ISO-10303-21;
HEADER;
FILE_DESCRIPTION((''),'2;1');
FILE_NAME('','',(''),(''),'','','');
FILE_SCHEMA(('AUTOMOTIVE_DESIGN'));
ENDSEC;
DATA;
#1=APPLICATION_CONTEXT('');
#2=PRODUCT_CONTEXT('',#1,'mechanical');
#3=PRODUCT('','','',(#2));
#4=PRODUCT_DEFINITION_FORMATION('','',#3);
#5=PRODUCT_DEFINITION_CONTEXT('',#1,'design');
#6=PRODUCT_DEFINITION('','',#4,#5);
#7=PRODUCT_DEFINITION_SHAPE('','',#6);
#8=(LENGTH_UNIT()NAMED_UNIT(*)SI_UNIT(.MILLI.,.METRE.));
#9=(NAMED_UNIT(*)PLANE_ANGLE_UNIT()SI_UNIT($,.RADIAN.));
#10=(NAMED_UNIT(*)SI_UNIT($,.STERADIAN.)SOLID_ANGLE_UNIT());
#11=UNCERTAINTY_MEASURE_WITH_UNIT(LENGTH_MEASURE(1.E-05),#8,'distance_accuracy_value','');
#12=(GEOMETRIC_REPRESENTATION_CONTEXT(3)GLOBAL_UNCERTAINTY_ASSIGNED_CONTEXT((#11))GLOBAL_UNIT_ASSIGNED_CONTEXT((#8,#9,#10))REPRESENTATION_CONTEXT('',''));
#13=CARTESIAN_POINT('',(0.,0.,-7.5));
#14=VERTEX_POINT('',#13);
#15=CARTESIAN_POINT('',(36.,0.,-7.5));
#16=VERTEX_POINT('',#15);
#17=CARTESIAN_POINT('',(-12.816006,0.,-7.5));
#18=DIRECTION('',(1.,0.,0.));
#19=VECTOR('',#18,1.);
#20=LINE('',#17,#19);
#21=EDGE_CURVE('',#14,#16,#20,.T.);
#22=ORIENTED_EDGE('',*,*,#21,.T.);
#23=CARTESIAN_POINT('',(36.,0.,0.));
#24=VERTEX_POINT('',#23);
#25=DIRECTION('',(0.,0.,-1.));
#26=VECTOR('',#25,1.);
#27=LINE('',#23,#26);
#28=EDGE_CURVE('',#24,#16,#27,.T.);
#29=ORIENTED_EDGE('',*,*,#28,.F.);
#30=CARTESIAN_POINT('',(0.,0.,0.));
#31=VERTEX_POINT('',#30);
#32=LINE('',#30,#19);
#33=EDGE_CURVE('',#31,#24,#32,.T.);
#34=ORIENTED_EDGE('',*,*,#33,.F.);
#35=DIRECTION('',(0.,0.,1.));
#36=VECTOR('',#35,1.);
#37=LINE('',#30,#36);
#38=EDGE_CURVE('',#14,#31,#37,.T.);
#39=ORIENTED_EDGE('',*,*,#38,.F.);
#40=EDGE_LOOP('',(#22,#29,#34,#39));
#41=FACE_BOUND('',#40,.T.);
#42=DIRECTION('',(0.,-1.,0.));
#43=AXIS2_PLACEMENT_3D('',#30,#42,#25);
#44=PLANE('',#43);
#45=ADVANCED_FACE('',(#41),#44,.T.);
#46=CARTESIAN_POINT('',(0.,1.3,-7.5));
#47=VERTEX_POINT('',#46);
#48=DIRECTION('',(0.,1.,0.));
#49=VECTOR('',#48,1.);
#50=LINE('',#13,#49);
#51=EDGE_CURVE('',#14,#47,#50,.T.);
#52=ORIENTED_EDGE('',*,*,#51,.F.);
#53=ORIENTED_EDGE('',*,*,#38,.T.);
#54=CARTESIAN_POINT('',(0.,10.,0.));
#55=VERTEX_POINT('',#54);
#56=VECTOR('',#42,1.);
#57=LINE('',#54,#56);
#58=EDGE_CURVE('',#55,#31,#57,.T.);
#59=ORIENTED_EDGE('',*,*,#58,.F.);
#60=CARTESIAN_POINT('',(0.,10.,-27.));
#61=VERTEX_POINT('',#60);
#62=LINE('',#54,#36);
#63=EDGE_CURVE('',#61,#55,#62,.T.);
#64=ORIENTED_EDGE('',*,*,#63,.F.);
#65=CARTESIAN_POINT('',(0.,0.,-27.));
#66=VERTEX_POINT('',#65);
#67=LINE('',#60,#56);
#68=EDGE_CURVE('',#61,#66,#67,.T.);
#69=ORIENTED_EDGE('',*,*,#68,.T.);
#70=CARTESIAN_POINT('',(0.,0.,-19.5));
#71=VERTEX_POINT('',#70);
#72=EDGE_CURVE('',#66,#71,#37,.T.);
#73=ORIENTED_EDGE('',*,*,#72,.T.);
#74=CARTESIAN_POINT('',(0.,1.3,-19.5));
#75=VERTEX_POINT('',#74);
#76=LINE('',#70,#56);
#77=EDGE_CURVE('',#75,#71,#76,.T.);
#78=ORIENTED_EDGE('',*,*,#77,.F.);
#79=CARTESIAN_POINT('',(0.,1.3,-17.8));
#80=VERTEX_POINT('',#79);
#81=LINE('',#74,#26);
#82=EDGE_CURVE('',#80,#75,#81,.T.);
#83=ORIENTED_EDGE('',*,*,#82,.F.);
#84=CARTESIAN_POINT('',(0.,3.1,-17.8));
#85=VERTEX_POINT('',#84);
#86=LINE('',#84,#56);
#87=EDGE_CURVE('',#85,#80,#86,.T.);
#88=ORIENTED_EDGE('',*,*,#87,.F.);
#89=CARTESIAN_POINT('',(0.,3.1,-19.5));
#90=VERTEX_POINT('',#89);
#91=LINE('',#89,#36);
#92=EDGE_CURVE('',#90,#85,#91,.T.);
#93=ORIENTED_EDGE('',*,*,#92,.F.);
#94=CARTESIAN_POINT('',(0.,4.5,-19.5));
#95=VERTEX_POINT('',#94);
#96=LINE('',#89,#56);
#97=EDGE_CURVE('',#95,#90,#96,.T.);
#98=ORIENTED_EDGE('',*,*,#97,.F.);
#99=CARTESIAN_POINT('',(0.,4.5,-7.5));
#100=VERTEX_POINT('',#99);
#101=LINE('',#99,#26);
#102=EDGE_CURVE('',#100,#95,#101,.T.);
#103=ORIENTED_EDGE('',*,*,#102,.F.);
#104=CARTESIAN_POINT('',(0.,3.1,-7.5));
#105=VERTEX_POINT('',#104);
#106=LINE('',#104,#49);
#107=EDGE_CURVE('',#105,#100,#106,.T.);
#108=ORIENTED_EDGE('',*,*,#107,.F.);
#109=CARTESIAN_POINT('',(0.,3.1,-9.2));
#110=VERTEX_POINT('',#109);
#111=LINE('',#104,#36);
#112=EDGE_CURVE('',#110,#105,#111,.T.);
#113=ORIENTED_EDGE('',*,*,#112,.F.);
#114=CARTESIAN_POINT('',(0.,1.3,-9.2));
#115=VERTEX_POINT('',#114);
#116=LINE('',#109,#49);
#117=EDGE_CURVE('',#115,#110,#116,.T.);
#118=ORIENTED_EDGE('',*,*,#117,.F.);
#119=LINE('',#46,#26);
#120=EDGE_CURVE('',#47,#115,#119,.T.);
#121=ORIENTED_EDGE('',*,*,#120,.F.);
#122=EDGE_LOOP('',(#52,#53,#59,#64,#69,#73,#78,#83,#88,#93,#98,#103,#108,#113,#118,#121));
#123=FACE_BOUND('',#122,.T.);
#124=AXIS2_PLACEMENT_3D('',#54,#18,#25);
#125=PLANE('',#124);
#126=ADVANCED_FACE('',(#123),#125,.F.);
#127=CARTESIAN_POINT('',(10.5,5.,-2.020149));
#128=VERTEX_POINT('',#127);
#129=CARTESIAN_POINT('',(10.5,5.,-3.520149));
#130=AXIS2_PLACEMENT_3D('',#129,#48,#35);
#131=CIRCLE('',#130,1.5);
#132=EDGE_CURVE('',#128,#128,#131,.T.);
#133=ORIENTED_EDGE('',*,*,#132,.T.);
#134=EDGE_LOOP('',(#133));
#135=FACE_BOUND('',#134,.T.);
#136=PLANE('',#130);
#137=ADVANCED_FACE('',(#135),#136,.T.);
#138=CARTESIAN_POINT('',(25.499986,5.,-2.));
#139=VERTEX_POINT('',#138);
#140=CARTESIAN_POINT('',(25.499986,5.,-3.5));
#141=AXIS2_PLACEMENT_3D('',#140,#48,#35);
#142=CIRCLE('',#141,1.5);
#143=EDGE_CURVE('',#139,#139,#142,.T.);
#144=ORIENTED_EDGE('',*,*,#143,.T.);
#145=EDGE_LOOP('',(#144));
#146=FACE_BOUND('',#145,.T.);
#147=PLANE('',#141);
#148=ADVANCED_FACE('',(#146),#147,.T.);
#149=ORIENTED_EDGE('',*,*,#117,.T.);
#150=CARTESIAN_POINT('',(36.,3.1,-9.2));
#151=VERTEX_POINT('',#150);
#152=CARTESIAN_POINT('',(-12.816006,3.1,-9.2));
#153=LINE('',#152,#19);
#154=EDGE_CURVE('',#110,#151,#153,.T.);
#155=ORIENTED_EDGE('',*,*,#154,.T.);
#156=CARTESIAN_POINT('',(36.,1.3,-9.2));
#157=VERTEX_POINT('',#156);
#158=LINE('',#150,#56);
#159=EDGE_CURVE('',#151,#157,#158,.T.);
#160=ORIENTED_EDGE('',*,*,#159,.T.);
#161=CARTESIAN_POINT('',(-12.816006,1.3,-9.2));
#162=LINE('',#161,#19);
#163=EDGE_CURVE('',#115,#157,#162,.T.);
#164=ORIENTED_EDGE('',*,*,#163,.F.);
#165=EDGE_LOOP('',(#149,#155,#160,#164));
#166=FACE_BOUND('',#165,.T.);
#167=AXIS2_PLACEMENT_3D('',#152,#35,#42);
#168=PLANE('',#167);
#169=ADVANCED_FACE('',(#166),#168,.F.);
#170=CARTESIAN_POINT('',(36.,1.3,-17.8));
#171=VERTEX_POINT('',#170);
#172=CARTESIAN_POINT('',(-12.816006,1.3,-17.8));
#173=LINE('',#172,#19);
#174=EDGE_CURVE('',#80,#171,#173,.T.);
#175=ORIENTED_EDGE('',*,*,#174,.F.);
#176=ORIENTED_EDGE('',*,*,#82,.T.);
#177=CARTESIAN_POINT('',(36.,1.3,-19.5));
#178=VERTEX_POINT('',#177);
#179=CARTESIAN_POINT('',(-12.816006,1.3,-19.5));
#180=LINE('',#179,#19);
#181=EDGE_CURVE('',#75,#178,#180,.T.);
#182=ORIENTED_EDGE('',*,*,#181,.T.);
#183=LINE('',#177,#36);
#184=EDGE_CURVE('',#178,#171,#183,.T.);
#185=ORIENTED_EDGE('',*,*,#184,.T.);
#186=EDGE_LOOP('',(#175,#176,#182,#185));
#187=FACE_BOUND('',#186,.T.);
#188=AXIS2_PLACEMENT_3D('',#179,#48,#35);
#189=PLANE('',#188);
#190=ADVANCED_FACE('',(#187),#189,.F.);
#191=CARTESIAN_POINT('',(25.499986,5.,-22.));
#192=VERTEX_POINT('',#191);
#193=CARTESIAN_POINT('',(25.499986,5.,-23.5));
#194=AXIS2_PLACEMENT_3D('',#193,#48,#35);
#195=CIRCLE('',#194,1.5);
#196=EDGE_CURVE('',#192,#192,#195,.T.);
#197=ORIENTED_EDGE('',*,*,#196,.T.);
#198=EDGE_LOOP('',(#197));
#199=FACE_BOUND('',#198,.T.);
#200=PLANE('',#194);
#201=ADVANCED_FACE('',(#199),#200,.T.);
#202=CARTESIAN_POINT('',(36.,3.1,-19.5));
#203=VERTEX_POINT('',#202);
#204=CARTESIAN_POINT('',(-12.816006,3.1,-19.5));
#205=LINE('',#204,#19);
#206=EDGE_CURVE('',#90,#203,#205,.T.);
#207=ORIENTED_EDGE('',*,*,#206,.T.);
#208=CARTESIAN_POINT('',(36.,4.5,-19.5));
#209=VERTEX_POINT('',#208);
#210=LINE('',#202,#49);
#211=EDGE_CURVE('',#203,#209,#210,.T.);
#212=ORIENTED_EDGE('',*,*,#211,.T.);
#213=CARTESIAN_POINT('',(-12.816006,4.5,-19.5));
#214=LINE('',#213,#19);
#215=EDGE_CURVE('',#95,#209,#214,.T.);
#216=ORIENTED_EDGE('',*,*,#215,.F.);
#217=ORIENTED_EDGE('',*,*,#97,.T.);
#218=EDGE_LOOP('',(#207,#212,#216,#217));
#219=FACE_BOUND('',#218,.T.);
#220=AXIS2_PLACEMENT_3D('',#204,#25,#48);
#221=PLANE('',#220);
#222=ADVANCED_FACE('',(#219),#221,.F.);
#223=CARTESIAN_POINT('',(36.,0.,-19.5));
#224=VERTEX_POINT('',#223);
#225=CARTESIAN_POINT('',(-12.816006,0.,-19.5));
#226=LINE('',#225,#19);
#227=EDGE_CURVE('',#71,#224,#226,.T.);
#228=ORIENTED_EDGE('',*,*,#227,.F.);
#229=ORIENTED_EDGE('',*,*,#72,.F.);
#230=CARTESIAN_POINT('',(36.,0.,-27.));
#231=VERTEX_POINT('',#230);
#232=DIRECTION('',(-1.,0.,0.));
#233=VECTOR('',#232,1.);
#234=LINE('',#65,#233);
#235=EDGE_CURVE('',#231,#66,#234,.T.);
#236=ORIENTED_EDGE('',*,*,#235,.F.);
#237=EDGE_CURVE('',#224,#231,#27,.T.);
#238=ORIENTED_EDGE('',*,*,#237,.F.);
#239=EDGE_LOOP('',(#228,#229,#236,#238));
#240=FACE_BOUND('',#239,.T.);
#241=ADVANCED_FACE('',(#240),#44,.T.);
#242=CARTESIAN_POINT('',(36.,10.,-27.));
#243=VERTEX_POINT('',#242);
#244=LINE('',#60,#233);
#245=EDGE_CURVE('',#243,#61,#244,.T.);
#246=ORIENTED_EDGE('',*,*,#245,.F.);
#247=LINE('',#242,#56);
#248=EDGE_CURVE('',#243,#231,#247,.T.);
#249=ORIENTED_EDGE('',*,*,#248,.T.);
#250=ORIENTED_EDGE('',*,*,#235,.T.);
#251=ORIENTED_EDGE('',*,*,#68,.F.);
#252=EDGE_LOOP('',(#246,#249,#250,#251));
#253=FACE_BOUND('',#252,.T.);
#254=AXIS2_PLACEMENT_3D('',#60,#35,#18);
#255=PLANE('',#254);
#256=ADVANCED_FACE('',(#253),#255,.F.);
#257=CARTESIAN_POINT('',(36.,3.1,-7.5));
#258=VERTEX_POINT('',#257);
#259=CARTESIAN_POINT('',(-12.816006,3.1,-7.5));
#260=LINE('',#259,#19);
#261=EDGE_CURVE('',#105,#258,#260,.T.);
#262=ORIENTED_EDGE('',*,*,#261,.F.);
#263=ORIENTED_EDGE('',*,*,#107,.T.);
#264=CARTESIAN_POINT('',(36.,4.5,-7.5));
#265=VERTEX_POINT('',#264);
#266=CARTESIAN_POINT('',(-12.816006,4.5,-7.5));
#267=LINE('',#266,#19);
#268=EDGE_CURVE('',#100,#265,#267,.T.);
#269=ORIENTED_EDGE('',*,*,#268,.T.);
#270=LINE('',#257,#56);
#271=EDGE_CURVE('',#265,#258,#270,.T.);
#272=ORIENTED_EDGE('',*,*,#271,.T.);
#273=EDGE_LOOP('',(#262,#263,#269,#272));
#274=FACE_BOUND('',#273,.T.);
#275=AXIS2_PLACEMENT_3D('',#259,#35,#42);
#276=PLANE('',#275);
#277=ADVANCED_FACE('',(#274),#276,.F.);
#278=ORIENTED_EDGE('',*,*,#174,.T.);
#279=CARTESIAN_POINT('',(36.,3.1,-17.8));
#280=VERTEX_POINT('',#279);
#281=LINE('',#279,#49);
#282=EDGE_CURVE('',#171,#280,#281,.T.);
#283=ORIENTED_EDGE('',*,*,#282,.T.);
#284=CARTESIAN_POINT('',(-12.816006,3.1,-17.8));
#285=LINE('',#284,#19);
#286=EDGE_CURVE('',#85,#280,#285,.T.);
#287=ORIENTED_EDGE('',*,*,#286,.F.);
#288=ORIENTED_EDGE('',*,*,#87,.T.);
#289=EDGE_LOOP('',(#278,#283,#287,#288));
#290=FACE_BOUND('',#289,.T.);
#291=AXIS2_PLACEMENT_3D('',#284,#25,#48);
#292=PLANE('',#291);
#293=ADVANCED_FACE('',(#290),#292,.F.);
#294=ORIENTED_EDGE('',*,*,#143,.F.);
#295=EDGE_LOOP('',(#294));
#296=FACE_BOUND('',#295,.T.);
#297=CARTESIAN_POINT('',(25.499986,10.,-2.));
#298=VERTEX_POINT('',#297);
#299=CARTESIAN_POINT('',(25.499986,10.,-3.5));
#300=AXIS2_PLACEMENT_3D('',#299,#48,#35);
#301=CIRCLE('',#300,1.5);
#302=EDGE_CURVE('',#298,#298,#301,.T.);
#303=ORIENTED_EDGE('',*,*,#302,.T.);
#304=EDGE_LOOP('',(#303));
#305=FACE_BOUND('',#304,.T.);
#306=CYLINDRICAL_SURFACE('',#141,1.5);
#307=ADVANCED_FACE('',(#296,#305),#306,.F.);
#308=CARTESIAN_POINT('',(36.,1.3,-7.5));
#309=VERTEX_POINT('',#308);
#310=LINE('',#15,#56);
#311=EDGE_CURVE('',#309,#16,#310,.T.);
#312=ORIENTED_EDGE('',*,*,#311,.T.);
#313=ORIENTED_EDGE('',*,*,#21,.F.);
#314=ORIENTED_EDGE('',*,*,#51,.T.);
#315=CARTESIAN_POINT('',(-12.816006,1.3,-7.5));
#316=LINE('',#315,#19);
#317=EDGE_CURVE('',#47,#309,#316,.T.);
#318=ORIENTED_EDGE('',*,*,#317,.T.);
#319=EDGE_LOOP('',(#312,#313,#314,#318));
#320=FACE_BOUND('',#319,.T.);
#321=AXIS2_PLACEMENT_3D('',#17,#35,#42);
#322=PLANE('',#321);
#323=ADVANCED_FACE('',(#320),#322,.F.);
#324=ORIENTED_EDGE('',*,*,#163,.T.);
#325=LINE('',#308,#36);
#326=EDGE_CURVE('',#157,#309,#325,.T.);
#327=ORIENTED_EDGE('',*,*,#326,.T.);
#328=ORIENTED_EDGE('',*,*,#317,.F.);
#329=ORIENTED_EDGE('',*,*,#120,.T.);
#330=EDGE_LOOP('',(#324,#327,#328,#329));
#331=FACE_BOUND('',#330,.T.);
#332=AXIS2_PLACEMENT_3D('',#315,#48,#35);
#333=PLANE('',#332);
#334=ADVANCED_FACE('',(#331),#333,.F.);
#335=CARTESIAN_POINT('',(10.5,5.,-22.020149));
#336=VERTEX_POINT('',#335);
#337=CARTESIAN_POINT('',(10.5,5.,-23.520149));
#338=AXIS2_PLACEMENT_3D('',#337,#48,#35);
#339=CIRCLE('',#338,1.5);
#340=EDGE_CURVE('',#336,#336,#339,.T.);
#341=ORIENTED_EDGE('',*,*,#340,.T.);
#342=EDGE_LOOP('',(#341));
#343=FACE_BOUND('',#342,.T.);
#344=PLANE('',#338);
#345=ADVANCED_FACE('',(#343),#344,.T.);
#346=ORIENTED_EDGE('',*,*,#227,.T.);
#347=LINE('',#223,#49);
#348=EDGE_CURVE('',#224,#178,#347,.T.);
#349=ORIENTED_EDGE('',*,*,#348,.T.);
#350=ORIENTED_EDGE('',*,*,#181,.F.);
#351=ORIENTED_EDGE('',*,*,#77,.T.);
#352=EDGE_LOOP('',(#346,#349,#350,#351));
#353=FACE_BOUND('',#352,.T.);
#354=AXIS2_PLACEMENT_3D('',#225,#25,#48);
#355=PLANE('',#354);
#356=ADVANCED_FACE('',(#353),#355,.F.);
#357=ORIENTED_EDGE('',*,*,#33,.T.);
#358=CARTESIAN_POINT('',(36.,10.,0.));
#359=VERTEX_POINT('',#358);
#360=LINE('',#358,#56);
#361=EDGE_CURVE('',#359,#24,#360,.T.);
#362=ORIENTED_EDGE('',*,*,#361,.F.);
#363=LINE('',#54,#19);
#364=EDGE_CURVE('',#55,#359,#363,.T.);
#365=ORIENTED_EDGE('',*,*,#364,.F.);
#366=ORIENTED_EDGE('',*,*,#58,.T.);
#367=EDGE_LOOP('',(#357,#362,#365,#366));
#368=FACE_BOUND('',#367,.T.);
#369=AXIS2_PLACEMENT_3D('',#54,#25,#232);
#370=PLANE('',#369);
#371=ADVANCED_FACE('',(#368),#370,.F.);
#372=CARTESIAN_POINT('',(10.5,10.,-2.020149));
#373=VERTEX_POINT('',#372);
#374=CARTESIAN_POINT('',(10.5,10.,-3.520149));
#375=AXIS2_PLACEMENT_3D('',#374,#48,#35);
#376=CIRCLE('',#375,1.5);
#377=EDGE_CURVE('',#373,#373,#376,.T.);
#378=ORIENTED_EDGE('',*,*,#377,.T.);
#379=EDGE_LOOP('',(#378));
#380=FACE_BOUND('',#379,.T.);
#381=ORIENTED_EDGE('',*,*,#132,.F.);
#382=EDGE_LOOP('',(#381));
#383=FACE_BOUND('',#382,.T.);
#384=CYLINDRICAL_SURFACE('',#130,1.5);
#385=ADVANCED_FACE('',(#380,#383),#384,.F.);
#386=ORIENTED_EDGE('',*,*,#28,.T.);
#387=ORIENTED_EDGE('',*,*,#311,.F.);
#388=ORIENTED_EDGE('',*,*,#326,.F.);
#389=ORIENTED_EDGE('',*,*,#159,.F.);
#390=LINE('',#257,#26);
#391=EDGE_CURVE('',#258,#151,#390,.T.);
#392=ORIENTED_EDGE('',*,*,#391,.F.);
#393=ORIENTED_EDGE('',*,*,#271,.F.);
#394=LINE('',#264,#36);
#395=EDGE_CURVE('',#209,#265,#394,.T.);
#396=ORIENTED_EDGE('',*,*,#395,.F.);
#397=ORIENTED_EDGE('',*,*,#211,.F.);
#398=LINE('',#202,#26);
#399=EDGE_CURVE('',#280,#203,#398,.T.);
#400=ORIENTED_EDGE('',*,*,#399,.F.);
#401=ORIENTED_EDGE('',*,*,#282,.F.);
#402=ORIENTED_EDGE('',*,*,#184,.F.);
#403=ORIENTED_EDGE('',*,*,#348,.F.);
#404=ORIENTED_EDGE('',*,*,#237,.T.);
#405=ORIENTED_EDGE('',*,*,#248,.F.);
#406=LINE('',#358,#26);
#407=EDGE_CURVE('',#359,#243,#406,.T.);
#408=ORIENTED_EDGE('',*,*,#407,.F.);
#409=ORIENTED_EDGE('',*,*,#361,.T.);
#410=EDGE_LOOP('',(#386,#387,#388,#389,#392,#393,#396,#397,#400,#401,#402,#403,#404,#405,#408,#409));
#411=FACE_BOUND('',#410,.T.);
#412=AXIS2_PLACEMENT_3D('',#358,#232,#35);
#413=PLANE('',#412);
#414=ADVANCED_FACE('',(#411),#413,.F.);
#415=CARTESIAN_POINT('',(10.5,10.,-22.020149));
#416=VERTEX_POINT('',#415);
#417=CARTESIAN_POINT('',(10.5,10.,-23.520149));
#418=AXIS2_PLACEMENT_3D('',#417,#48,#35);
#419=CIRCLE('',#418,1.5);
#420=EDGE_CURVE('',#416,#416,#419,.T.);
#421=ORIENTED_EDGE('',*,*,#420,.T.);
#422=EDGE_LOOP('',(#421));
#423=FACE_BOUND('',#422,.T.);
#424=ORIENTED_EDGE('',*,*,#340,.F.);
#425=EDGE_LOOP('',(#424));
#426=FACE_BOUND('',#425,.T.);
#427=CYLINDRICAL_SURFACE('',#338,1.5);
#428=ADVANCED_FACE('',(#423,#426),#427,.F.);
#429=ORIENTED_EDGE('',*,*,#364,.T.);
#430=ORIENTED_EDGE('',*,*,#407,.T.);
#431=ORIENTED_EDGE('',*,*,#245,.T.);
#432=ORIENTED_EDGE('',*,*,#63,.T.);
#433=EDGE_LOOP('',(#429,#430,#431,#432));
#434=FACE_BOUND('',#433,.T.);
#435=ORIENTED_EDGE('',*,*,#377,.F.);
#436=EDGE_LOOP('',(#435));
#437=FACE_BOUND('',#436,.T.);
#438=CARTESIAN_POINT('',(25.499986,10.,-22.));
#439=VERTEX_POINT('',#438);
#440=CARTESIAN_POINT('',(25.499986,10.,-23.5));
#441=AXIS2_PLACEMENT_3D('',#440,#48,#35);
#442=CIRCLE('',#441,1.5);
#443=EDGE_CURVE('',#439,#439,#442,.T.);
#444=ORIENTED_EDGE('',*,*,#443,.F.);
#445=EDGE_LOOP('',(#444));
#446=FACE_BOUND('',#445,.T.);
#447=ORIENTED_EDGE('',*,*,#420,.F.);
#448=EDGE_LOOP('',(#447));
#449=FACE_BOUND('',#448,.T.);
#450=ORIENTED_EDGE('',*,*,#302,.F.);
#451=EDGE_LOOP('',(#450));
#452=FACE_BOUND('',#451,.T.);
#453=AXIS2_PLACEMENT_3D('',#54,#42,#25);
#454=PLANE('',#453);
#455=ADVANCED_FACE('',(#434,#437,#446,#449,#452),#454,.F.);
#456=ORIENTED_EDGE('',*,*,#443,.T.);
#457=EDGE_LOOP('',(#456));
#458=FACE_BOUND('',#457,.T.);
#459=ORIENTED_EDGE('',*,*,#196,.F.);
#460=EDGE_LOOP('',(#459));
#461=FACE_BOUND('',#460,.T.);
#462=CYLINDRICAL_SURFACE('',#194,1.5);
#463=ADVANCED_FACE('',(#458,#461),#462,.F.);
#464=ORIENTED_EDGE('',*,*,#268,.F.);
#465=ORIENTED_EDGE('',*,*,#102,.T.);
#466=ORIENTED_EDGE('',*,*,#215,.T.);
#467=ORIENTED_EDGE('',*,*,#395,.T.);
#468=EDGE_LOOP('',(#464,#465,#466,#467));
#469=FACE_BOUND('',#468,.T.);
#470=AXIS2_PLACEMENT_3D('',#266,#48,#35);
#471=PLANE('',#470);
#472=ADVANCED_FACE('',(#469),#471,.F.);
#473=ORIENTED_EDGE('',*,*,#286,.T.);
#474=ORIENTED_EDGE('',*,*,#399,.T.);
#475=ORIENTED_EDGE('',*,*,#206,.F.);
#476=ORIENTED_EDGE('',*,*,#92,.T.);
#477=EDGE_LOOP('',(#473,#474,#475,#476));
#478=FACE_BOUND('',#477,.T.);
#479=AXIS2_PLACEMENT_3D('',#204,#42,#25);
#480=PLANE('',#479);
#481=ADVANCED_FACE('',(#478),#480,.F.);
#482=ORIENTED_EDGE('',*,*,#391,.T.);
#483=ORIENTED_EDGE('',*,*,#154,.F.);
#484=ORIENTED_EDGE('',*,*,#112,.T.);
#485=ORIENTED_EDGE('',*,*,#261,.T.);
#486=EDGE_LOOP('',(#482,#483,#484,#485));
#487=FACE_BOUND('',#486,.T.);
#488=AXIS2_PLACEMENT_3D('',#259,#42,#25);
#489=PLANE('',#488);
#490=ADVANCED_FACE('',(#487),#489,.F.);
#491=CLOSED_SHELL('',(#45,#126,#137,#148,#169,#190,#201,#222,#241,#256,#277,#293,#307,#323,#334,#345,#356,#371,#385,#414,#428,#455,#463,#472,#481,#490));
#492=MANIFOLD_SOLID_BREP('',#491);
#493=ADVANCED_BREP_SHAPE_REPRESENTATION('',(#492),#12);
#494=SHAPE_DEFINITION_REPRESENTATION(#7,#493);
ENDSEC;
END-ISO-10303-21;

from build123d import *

# Parameters (mm, degrees)
CROQUIS1_W              = 36
CROQUIS1_H              = 27
SALIENTE_EXTRUIR1_DEPTH = 10
CROQUIS2_R              = 1.5
CORTAR_EXTRUIR1_DEPTH   = 5
CORTAR_EXTRUIR2_DEPTH   = 36


with BuildPart() as part:
    # Croquis1 → Saliente-Extruir1 (new body)
    with BuildSketch(Plane(origin=(0, 0, 0), x_dir=(1, 0, 0), z_dir=(0, 1, 0))):
        with Locations((18, 13.5)):
            Rectangle(CROQUIS1_W, CROQUIS1_H)
    extrude(amount=SALIENTE_EXTRUIR1_DEPTH)

    # Croquis2 → Cortar-Extruir1 (cut)
    with BuildSketch(Plane(origin=(0, 10, 0), x_dir=(1, 0, 0), z_dir=(0, 1, 0))):
        with Locations((10.5, 23.52014925)):
            Circle(CROQUIS2_R)
        with Locations((25.499986467, 23.5)):
            Circle(CROQUIS2_R)
        with Locations((10.5, 3.52014925)):
            Circle(CROQUIS2_R)
        with Locations((25.499986467, 3.5)):
            Circle(CROQUIS2_R)
    extrude(amount=-CORTAR_EXTRUIR1_DEPTH, mode=Mode.SUBTRACT)

    # Croquis3 → Cortar-Extruir2 (cut)
    with BuildSketch(Plane(origin=(36, 0, 0), x_dir=(0, 0, -1), z_dir=(1, 0, 0))):
        Polygon((7.5, 0), (19.5, 0), (19.5, 1.3), (17.8, 1.3), (17.8, 3.1), (19.5, 3.1), (19.5, 4.5), (7.5, 4.5), (7.5, 3.1), (9.2, 3.1), (9.2, 1.3), (7.5, 1.3), align=None)
    extrude(amount=-CORTAR_EXTRUIR2_DEPTH, mode=Mode.SUBTRACT)


solid = part.part
